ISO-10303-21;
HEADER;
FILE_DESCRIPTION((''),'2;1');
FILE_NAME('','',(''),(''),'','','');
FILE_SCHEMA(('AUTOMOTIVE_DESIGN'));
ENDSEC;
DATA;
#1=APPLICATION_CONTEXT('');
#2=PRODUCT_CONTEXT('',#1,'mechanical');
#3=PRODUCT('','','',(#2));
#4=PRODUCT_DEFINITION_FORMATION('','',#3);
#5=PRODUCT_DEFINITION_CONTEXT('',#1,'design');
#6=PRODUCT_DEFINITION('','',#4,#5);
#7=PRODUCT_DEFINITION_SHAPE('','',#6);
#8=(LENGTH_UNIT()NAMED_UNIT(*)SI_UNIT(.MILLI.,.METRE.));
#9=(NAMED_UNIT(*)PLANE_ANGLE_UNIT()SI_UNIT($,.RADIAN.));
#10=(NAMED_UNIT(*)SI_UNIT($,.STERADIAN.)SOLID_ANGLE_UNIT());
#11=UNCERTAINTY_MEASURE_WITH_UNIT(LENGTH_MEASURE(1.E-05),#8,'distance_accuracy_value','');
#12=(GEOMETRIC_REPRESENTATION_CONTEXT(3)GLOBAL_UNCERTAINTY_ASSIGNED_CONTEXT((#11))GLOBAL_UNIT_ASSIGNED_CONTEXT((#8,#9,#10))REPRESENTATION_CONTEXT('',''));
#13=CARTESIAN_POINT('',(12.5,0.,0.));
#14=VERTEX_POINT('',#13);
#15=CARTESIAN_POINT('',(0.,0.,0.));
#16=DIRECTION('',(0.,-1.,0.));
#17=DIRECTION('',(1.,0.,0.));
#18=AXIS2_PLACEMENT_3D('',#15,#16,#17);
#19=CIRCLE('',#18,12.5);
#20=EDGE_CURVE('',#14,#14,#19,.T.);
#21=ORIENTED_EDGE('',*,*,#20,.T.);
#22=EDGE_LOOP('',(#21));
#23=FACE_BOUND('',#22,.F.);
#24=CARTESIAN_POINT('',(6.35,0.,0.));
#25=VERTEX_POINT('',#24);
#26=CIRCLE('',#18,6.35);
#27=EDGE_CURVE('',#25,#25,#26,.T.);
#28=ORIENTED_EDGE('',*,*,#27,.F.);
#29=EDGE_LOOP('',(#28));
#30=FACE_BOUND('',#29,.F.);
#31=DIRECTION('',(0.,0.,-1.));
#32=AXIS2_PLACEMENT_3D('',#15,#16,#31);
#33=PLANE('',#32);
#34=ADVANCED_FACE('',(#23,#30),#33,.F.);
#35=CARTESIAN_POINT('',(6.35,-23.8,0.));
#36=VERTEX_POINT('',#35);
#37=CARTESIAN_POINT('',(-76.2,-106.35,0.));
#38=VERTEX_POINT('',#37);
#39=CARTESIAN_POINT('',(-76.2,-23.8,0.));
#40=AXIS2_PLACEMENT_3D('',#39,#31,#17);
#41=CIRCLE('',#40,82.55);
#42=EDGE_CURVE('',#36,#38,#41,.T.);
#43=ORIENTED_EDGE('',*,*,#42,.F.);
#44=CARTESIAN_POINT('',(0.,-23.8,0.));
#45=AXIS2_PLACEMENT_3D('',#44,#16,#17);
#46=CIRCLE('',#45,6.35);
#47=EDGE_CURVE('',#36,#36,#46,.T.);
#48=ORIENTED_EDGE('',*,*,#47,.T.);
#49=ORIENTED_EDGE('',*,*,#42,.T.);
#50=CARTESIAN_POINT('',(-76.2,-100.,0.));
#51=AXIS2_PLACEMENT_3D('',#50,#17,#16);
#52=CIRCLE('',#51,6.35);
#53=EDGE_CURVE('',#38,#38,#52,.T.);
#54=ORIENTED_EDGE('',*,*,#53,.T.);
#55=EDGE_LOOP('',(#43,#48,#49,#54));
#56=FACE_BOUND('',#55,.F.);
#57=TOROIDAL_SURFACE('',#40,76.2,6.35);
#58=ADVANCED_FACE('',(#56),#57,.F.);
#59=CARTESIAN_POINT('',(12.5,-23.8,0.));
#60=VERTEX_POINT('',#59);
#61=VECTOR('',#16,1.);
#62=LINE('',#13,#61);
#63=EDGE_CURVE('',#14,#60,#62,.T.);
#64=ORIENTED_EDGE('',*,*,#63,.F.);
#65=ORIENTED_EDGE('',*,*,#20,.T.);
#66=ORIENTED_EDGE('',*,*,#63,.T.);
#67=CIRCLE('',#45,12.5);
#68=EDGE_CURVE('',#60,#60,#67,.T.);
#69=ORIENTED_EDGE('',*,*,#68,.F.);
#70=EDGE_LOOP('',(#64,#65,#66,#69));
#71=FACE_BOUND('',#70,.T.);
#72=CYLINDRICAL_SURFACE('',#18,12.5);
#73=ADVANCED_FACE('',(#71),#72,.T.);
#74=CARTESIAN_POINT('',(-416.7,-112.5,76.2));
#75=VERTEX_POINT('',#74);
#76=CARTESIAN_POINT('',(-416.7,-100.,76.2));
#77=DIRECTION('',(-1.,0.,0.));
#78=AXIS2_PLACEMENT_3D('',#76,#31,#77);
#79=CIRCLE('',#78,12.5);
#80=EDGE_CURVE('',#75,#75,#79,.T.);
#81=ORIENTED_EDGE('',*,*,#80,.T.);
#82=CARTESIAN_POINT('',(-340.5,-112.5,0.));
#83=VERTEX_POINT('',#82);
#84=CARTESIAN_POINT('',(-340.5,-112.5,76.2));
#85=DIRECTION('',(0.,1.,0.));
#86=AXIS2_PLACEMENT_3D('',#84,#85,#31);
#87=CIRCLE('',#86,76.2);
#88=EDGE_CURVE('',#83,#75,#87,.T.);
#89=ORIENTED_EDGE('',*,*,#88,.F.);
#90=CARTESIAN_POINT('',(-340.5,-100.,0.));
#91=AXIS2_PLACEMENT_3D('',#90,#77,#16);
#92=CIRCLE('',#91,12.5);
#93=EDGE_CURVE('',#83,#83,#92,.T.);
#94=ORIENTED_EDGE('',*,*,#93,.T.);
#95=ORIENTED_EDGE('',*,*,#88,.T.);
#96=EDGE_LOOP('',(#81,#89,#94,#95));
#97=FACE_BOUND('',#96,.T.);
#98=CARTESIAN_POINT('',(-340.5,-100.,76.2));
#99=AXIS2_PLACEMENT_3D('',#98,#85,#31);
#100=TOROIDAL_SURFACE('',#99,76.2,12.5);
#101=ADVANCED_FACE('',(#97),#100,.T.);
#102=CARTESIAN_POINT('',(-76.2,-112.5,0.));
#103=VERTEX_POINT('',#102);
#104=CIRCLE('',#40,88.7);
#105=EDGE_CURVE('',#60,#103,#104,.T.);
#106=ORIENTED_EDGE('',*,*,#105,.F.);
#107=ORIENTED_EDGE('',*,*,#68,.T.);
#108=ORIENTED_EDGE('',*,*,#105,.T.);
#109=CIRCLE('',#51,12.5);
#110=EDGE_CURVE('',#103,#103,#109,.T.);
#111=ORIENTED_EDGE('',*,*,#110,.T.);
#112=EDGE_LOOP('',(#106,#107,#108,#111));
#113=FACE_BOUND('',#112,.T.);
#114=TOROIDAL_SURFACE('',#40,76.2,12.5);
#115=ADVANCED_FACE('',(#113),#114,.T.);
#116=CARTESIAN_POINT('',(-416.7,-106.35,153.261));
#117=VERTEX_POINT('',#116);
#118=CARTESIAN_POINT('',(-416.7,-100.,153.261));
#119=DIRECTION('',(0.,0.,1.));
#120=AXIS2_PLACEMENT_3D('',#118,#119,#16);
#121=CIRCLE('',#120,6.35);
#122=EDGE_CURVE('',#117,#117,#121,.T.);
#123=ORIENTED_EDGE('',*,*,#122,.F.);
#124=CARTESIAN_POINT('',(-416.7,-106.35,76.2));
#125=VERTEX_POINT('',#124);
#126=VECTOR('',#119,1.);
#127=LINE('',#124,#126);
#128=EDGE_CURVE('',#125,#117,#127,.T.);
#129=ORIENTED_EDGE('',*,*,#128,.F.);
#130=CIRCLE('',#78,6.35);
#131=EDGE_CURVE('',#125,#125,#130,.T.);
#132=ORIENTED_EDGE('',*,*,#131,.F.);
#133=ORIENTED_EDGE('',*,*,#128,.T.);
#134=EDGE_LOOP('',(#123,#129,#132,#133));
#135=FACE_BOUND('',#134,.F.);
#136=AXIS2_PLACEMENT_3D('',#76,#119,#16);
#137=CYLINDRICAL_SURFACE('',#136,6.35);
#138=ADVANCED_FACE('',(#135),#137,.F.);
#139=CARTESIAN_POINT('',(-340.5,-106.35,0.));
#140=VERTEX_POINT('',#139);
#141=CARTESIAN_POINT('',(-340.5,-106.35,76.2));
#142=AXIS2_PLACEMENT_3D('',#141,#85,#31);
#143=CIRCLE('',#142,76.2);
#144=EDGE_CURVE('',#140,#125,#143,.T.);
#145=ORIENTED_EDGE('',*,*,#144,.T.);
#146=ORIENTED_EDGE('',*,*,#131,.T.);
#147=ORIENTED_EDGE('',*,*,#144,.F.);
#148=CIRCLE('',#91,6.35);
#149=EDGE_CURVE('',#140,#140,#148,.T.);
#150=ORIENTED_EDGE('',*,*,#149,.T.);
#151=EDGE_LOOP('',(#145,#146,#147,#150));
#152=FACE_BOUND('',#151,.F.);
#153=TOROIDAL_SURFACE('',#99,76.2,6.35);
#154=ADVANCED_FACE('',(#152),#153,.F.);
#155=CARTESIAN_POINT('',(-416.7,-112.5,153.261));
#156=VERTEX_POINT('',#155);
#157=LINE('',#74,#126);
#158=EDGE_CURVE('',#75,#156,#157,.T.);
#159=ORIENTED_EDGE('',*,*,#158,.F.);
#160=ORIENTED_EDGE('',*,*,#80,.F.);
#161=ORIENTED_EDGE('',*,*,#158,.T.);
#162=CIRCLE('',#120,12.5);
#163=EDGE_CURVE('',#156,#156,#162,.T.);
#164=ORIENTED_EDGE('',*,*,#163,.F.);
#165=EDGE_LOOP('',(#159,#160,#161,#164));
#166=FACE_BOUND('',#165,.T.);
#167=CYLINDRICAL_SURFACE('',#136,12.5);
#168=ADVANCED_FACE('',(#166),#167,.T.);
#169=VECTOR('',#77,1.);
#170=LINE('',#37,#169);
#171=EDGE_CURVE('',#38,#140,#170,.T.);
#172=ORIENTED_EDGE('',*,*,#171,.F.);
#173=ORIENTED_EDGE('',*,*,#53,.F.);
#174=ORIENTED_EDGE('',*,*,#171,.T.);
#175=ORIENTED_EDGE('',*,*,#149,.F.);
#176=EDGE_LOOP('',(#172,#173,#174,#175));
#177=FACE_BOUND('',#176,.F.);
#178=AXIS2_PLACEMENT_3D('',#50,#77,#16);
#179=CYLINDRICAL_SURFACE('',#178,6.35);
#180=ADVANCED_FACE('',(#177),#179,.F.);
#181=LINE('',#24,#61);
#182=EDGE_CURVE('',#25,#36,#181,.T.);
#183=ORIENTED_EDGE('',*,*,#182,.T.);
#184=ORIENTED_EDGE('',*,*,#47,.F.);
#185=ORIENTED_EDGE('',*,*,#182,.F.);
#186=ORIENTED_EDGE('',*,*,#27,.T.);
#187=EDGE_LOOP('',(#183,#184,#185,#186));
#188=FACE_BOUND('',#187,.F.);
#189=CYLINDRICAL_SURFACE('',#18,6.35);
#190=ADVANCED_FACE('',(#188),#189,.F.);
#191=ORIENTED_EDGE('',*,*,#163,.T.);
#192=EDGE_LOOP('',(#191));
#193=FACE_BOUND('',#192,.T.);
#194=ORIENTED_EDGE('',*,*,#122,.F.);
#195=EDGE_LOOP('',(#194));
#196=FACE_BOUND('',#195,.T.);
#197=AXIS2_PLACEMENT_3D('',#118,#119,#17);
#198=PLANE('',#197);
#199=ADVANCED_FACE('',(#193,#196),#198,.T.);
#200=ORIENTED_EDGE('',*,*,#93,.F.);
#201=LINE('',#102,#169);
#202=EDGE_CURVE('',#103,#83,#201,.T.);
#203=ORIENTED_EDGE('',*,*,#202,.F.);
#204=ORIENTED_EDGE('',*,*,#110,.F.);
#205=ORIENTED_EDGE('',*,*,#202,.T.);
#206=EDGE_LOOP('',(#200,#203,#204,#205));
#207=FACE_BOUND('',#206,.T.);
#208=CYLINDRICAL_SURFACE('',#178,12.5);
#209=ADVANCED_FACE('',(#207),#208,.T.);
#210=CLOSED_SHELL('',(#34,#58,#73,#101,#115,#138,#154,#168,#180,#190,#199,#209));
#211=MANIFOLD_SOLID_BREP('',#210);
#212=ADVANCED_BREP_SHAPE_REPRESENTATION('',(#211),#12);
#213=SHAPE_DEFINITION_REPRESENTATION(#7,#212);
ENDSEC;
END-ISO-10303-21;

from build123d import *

# Parameters (mm, degrees)
F0_R   = 12.5
F0_R_2 = 6.35


with BuildPart() as f4:
    # F4: sweep along a path in F1, F3
    with BuildLine(Plane.XY) as f4_path:
        Line((0, 0), (0, -23.8))
        ThreePointArc((0, -23.8), (-22.3184632736, -77.6815367264), (-76.2, -100))
        Line((-76.2, -100), (-340.5, -100))
    with BuildLine(Plane.XZ.offset(100)) as f4_path_2:
        ThreePointArc((-340.5, 0), (-394.3815367264, 22.3184632736), (-416.7, 76.2))
        Line((-416.7, 76.2), (-416.7, 153.261))
    # F0 (on Front) → F4 (sweep)
    with BuildSketch(Plane.XZ):
        Circle(F0_R)
        Circle(F0_R_2, mode=Mode.SUBTRACT)
    sweep(path=f4_path.line + f4_path_2.line)


solid = f4.part
